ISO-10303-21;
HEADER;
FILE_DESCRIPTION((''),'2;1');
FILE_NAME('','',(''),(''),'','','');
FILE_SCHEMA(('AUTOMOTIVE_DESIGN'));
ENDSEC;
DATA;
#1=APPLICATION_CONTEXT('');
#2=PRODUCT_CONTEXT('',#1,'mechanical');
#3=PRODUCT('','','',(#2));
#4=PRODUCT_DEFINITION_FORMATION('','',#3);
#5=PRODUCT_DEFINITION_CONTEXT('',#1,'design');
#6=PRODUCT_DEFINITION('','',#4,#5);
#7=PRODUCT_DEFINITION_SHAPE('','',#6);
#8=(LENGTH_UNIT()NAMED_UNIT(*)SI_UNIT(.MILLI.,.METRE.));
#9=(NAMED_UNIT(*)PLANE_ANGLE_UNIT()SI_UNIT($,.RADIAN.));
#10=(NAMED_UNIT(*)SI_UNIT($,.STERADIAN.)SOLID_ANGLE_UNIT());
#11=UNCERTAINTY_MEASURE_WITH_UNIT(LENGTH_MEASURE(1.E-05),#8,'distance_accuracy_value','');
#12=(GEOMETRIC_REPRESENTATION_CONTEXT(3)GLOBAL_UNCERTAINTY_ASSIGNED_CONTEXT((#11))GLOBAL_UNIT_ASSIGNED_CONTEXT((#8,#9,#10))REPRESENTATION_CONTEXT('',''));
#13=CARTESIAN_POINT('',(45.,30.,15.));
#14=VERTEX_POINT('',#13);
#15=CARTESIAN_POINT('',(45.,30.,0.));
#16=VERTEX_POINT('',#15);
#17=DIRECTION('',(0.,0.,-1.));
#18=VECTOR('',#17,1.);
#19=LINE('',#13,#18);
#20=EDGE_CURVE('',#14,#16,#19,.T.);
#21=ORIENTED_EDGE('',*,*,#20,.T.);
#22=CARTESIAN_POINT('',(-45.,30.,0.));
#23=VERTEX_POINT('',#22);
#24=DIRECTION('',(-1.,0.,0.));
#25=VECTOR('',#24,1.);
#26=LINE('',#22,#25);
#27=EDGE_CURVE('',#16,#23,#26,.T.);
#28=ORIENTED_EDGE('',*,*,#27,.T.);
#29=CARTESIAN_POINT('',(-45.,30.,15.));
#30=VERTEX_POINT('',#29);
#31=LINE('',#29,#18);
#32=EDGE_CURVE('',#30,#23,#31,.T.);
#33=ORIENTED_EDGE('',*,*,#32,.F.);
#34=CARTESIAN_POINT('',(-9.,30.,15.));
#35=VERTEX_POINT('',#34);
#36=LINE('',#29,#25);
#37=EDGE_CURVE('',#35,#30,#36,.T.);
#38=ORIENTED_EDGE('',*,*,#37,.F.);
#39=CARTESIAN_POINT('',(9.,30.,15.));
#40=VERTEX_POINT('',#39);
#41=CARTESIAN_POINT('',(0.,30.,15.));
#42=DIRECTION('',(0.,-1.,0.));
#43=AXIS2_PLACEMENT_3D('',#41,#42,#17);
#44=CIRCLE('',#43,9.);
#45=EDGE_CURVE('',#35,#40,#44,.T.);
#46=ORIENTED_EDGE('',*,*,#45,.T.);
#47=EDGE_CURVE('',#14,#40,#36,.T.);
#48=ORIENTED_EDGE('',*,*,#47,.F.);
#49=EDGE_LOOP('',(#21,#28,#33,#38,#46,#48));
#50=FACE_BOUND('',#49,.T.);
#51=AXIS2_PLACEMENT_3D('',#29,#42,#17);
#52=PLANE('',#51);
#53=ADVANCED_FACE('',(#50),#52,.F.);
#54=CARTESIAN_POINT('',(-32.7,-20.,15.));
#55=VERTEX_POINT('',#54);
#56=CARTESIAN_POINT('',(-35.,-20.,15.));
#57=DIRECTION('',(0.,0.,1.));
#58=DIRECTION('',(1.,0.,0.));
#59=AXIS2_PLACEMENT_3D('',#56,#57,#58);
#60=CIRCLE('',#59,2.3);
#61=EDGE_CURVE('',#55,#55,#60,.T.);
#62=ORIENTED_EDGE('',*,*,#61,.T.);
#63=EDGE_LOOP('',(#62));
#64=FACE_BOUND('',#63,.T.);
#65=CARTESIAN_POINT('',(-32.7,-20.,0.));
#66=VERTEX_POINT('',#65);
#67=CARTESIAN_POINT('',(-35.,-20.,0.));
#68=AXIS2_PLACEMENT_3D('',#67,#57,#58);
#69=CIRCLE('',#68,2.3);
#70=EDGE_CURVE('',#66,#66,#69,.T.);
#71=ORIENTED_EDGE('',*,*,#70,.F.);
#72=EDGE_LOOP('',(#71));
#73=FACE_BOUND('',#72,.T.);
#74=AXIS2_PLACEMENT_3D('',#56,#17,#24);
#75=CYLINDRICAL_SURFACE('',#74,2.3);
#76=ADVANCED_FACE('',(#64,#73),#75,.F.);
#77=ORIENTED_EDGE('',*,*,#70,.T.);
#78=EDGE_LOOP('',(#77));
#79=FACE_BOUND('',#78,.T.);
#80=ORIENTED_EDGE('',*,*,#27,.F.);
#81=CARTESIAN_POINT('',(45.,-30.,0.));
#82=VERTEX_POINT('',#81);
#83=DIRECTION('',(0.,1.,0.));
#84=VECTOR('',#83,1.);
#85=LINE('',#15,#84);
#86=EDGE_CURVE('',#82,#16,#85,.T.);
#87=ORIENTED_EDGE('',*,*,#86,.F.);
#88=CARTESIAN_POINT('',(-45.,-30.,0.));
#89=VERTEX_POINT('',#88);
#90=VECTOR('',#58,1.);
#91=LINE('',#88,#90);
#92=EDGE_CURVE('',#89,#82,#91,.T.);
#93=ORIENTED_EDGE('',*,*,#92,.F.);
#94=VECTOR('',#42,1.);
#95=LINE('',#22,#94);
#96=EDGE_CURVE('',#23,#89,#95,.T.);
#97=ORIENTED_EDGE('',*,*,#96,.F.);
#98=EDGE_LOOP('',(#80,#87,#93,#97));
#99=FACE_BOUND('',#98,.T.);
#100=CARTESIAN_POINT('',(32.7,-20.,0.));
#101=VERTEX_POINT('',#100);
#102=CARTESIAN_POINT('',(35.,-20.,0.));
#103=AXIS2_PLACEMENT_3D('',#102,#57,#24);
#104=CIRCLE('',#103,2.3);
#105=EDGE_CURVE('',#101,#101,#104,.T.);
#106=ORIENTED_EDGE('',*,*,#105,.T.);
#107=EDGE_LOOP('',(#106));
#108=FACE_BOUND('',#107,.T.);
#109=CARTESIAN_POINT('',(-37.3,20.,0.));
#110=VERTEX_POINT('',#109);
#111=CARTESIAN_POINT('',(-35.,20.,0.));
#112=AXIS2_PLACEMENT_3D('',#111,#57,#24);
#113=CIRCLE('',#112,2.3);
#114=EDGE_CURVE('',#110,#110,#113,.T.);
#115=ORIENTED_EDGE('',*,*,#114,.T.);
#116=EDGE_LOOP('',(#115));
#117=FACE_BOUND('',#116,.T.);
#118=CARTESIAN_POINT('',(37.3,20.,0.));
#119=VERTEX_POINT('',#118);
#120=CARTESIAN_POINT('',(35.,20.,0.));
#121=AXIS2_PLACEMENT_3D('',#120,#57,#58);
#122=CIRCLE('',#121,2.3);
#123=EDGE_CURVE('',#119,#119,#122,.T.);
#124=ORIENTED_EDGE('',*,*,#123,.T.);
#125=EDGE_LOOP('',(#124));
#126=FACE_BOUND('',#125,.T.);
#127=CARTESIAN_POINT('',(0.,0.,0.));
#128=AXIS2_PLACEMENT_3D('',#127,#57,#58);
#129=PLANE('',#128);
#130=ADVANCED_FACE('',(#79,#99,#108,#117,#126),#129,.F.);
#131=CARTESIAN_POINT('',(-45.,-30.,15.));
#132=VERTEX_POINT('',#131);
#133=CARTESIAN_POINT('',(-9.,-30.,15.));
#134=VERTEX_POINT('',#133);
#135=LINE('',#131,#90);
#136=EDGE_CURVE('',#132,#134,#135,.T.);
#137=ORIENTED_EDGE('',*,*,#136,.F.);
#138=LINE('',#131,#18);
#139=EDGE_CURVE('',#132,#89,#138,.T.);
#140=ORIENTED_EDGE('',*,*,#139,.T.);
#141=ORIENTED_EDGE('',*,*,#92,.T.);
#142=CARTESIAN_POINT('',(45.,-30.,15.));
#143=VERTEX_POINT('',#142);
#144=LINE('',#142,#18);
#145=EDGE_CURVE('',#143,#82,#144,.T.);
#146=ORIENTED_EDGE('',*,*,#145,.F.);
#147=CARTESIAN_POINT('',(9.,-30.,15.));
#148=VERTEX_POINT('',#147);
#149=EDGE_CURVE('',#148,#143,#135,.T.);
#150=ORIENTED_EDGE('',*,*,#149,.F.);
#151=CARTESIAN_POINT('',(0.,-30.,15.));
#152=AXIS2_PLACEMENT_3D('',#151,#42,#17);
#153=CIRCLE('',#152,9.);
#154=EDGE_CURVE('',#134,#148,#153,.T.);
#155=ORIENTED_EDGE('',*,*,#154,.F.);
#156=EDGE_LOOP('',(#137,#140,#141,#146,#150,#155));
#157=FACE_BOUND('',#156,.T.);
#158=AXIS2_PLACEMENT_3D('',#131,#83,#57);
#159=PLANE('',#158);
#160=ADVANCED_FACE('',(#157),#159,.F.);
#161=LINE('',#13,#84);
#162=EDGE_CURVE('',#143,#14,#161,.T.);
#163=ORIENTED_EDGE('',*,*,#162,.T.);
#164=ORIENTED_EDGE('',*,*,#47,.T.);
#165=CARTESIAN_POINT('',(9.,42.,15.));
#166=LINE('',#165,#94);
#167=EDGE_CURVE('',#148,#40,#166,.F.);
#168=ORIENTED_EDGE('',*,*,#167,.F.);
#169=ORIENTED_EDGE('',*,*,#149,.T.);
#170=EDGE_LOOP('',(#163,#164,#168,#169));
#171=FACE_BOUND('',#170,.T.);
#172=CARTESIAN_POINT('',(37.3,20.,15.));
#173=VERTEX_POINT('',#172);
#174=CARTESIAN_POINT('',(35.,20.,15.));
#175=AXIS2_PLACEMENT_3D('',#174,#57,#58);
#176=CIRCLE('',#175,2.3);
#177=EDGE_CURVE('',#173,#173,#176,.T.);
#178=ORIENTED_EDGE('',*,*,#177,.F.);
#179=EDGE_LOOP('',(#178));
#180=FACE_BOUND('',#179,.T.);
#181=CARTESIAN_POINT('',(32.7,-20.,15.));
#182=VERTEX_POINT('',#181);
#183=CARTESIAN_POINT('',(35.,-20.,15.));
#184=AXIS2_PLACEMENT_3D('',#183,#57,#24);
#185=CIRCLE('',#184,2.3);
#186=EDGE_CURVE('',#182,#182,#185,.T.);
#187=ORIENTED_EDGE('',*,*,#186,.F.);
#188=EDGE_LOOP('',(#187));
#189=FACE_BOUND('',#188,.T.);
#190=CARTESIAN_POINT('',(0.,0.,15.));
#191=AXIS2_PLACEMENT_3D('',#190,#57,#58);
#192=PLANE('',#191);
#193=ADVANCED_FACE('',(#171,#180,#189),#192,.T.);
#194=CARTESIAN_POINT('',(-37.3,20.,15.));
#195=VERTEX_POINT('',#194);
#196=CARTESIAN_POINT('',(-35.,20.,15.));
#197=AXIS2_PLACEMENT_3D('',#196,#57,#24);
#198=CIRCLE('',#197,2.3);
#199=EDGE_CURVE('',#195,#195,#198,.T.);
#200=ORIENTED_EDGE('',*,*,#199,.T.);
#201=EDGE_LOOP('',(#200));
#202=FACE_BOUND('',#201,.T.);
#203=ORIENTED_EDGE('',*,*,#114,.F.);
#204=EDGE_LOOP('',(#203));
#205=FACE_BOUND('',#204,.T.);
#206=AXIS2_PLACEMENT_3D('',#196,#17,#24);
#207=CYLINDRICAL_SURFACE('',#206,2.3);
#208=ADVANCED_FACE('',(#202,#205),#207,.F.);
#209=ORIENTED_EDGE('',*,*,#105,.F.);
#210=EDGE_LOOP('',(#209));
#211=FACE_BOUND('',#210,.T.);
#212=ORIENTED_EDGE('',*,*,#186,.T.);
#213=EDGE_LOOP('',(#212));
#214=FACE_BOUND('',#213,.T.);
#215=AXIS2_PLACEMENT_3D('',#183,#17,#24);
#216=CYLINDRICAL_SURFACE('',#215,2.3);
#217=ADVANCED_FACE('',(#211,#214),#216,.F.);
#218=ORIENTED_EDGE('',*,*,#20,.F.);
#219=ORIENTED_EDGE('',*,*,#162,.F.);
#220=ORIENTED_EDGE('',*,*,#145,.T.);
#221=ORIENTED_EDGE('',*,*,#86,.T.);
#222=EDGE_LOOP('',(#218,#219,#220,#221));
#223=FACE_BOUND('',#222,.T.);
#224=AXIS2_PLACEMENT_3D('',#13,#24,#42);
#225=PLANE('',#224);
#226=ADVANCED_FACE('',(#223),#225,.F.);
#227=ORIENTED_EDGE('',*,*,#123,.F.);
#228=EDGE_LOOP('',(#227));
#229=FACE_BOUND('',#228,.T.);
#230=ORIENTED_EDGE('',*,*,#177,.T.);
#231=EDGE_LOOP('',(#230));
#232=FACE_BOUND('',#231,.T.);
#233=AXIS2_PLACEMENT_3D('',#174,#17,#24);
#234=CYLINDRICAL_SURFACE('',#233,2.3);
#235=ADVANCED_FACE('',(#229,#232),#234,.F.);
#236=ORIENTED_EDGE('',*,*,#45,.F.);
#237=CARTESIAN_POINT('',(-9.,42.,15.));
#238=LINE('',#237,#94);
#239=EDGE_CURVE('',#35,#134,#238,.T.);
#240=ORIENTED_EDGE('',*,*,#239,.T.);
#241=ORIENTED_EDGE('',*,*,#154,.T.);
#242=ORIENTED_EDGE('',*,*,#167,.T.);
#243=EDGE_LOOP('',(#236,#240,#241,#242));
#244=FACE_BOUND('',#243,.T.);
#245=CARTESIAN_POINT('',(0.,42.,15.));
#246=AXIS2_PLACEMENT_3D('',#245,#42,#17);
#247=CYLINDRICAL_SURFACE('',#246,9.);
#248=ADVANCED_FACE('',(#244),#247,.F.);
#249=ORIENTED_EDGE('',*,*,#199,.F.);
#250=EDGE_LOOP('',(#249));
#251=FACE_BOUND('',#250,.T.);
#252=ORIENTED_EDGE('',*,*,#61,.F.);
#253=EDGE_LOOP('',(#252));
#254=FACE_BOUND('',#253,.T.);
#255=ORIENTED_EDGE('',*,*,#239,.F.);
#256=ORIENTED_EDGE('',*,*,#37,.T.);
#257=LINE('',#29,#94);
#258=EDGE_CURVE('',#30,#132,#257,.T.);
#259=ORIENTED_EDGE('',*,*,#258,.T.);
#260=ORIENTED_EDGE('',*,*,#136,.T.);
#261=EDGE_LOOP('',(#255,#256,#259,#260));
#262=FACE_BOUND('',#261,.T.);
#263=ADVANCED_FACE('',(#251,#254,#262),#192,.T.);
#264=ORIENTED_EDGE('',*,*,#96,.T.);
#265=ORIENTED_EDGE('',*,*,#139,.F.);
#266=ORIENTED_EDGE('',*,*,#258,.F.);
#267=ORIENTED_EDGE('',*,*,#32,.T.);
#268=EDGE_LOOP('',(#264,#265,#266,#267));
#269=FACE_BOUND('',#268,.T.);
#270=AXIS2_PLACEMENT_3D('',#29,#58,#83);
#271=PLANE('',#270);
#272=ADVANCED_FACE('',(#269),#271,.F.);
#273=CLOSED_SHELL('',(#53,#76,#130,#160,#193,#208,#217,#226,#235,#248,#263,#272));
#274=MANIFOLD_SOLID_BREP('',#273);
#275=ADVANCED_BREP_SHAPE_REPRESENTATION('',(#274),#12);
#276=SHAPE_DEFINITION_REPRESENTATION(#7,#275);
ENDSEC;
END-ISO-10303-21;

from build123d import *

# Parameters (mm, degrees)
SKETCH1_W           = 90
SKETCH1_H           = 60
SKETCH1_R           = 2.3
BOSS_EXTRUDE1_DEPTH = 15
SKETCH2_R           = 9
CUT_EXTRUDE1_DEPTH  = 72


with BuildPart() as part:
    # Sketch1 → Boss-Extrude1 (new body)
    with BuildSketch(Plane.XY):
        Rectangle(SKETCH1_W, SKETCH1_H)
        with Locations((-35, -20)):
            Circle(SKETCH1_R, mode=Mode.SUBTRACT)
        with Locations(Location((35, -20, 0), (0, 0, 180))):
            Circle(SKETCH1_R, mode=Mode.SUBTRACT)
        with Locations((35, 20)):
            Circle(SKETCH1_R, mode=Mode.SUBTRACT)
        with Locations(Location((-35, 20, 0), (0, 0, 180))):
            Circle(SKETCH1_R, mode=Mode.SUBTRACT)
    extrude(amount=BOSS_EXTRUDE1_DEPTH)

    # Sketch2 → Cut-Extrude1 (cut)
    with BuildSketch(Plane.XZ.offset(30)):
        with Locations((0, 15)):
            Circle(SKETCH2_R)
    extrude(amount=-CUT_EXTRUDE1_DEPTH, mode=Mode.SUBTRACT)


solid = part.part
